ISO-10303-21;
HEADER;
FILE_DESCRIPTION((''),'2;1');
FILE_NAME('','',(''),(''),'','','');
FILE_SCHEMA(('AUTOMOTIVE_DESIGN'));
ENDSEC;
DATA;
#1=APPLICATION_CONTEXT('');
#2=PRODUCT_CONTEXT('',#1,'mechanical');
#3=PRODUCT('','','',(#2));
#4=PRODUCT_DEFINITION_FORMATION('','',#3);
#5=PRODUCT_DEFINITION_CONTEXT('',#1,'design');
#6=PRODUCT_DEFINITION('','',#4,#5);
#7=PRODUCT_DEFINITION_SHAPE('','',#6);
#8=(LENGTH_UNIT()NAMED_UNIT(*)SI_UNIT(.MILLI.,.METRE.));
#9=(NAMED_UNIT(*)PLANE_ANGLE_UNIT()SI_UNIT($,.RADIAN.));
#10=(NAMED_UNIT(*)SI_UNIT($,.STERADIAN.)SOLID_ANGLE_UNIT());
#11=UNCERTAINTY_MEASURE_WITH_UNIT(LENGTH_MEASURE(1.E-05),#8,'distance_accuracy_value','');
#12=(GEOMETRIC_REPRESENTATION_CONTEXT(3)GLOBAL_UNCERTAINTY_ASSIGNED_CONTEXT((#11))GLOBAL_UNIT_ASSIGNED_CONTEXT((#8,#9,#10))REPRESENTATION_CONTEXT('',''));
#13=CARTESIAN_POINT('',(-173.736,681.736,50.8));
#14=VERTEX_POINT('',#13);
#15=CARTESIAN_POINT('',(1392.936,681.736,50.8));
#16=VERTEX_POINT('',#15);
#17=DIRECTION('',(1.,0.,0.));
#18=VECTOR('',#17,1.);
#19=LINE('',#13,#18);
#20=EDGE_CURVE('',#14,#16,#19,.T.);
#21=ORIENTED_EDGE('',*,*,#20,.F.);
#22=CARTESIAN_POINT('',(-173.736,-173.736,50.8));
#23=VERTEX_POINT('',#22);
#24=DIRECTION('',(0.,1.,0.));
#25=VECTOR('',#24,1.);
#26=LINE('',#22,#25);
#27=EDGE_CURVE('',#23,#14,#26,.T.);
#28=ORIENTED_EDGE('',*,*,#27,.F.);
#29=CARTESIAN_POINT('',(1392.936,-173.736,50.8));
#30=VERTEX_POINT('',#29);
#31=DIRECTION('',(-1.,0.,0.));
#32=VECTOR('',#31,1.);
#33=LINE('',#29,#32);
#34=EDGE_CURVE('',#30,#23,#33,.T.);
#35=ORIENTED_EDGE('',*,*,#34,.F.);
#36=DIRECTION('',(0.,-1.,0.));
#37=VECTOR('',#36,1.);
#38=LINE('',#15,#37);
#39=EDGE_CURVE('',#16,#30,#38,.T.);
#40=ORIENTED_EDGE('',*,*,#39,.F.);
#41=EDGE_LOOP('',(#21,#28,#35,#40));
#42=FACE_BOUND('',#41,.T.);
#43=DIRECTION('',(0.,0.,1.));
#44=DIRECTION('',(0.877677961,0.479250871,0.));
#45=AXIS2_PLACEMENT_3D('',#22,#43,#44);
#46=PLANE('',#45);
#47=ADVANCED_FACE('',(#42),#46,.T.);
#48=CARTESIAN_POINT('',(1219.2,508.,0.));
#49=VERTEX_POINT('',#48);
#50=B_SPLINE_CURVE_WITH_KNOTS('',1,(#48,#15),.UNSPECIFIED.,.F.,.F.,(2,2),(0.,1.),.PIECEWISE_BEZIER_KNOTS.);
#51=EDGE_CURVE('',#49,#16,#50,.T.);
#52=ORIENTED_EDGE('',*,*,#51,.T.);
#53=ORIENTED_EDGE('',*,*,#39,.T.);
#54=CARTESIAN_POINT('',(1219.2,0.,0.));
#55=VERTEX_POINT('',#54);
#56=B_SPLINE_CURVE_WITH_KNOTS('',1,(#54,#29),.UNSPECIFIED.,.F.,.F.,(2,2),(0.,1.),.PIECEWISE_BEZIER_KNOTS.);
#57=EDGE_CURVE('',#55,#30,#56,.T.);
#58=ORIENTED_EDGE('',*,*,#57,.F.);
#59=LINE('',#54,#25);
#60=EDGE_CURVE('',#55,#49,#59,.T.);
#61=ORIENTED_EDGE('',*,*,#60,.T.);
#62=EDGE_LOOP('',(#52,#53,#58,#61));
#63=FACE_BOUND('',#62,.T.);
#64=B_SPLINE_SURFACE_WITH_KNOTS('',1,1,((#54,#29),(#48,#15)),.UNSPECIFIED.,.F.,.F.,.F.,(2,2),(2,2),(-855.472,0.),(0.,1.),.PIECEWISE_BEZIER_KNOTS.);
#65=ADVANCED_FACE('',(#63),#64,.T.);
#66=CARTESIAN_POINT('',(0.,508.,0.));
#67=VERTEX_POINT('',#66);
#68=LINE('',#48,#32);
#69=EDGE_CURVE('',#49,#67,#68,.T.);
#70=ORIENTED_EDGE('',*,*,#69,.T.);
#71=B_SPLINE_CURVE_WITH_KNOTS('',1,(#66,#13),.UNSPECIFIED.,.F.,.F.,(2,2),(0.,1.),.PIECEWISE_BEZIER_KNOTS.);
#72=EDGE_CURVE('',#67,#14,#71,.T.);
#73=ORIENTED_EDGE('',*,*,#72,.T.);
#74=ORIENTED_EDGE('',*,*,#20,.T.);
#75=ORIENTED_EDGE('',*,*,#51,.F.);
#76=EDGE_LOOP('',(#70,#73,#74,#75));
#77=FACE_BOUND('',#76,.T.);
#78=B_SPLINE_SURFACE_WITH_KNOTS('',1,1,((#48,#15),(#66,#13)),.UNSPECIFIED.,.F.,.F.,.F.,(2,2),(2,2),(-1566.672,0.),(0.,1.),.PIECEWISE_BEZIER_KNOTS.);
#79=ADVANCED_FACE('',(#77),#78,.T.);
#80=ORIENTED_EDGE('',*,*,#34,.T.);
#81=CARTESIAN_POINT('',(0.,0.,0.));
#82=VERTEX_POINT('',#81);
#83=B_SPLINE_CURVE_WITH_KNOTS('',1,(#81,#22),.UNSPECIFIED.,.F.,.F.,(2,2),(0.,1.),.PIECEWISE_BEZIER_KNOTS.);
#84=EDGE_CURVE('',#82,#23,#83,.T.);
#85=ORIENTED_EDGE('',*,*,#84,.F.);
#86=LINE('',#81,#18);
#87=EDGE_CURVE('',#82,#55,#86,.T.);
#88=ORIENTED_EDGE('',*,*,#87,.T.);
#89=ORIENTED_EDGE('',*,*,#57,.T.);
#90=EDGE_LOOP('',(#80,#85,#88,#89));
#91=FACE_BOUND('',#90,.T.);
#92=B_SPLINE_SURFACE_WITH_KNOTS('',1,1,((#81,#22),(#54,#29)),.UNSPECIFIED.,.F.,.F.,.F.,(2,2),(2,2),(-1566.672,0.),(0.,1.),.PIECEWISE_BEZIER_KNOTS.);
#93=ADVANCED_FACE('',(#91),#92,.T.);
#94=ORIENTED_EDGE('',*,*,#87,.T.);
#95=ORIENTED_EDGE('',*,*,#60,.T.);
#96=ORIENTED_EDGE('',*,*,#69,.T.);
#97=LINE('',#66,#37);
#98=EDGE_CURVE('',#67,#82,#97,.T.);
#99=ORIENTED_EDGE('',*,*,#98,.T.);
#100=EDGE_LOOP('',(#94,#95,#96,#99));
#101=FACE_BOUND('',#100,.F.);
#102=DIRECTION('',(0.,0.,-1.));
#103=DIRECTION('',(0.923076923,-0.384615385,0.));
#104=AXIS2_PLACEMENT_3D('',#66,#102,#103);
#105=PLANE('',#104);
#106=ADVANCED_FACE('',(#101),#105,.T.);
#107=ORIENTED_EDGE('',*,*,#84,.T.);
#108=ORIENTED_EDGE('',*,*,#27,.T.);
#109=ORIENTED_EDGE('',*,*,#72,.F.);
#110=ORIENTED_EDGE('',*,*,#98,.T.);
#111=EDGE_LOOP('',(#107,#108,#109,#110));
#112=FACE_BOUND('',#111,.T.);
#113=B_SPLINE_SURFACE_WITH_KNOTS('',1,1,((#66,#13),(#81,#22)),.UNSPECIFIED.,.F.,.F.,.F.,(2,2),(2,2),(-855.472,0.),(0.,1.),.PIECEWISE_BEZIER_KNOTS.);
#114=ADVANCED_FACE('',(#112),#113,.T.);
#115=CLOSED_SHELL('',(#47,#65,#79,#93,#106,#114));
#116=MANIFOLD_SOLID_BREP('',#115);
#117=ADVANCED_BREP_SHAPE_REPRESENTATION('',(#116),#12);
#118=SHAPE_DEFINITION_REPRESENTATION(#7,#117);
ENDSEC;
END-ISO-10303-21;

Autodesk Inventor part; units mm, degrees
ref_plane "YZ Plane" through (0, 0, 0) normal (1, 0, 0) x (0, 1, 0)
ref_plane "XZ Plane" through (0, 0, 0) normal (0, 1, 0) x (-1, 0, 0)
sketch "Sketch1" plane through (0, 0, 0) normal (0, 0, 1) x (1, 0, 0)
  line L0 (0, 0) -> (1219.2, 0)
  line L1 (1219.2, 0) -> (1219.2, 508)
  line L2 (1219.2, 508) -> (0, 508)
  line L3 (0, 508) -> (0, 0)
  dimension "d0" = 1219.2
  dimension "d1" = 508
ref_plane "Work Plane1" through (0, 0, 50.8) normal (0, 0, 1) x (1, 0, 0)
sketch "Sketch2" plane through (0, 0, 50.8) normal (0, 0, 1) x (1, 0, 0)
  line L0 (1219.2, 508) -> (0, 508) projected
  line L1 (0, 508) -> (0, 0) projected
  line L2 (1219.2, 0) -> (1219.2, 508) projected
  line L3 (0, 0) -> (1219.2, 0) projected
  line L4 (-173.736, 681.736) -> (1392.936, 681.736)
  line L5 (1392.936, 681.736) -> (1392.936, -173.736)
  line L6 (1392.936, -173.736) -> (-173.736, -173.736)
  line L7 (-173.736, -173.736) -> (-173.736, 681.736)
  dimension "d3" = 173.736
loft "Loft1" add profiles "Sketch1", "Sketch2" contours all / L2 L3 L1 L0 | L4 L5 L6 L7
properties part number "loft version"
